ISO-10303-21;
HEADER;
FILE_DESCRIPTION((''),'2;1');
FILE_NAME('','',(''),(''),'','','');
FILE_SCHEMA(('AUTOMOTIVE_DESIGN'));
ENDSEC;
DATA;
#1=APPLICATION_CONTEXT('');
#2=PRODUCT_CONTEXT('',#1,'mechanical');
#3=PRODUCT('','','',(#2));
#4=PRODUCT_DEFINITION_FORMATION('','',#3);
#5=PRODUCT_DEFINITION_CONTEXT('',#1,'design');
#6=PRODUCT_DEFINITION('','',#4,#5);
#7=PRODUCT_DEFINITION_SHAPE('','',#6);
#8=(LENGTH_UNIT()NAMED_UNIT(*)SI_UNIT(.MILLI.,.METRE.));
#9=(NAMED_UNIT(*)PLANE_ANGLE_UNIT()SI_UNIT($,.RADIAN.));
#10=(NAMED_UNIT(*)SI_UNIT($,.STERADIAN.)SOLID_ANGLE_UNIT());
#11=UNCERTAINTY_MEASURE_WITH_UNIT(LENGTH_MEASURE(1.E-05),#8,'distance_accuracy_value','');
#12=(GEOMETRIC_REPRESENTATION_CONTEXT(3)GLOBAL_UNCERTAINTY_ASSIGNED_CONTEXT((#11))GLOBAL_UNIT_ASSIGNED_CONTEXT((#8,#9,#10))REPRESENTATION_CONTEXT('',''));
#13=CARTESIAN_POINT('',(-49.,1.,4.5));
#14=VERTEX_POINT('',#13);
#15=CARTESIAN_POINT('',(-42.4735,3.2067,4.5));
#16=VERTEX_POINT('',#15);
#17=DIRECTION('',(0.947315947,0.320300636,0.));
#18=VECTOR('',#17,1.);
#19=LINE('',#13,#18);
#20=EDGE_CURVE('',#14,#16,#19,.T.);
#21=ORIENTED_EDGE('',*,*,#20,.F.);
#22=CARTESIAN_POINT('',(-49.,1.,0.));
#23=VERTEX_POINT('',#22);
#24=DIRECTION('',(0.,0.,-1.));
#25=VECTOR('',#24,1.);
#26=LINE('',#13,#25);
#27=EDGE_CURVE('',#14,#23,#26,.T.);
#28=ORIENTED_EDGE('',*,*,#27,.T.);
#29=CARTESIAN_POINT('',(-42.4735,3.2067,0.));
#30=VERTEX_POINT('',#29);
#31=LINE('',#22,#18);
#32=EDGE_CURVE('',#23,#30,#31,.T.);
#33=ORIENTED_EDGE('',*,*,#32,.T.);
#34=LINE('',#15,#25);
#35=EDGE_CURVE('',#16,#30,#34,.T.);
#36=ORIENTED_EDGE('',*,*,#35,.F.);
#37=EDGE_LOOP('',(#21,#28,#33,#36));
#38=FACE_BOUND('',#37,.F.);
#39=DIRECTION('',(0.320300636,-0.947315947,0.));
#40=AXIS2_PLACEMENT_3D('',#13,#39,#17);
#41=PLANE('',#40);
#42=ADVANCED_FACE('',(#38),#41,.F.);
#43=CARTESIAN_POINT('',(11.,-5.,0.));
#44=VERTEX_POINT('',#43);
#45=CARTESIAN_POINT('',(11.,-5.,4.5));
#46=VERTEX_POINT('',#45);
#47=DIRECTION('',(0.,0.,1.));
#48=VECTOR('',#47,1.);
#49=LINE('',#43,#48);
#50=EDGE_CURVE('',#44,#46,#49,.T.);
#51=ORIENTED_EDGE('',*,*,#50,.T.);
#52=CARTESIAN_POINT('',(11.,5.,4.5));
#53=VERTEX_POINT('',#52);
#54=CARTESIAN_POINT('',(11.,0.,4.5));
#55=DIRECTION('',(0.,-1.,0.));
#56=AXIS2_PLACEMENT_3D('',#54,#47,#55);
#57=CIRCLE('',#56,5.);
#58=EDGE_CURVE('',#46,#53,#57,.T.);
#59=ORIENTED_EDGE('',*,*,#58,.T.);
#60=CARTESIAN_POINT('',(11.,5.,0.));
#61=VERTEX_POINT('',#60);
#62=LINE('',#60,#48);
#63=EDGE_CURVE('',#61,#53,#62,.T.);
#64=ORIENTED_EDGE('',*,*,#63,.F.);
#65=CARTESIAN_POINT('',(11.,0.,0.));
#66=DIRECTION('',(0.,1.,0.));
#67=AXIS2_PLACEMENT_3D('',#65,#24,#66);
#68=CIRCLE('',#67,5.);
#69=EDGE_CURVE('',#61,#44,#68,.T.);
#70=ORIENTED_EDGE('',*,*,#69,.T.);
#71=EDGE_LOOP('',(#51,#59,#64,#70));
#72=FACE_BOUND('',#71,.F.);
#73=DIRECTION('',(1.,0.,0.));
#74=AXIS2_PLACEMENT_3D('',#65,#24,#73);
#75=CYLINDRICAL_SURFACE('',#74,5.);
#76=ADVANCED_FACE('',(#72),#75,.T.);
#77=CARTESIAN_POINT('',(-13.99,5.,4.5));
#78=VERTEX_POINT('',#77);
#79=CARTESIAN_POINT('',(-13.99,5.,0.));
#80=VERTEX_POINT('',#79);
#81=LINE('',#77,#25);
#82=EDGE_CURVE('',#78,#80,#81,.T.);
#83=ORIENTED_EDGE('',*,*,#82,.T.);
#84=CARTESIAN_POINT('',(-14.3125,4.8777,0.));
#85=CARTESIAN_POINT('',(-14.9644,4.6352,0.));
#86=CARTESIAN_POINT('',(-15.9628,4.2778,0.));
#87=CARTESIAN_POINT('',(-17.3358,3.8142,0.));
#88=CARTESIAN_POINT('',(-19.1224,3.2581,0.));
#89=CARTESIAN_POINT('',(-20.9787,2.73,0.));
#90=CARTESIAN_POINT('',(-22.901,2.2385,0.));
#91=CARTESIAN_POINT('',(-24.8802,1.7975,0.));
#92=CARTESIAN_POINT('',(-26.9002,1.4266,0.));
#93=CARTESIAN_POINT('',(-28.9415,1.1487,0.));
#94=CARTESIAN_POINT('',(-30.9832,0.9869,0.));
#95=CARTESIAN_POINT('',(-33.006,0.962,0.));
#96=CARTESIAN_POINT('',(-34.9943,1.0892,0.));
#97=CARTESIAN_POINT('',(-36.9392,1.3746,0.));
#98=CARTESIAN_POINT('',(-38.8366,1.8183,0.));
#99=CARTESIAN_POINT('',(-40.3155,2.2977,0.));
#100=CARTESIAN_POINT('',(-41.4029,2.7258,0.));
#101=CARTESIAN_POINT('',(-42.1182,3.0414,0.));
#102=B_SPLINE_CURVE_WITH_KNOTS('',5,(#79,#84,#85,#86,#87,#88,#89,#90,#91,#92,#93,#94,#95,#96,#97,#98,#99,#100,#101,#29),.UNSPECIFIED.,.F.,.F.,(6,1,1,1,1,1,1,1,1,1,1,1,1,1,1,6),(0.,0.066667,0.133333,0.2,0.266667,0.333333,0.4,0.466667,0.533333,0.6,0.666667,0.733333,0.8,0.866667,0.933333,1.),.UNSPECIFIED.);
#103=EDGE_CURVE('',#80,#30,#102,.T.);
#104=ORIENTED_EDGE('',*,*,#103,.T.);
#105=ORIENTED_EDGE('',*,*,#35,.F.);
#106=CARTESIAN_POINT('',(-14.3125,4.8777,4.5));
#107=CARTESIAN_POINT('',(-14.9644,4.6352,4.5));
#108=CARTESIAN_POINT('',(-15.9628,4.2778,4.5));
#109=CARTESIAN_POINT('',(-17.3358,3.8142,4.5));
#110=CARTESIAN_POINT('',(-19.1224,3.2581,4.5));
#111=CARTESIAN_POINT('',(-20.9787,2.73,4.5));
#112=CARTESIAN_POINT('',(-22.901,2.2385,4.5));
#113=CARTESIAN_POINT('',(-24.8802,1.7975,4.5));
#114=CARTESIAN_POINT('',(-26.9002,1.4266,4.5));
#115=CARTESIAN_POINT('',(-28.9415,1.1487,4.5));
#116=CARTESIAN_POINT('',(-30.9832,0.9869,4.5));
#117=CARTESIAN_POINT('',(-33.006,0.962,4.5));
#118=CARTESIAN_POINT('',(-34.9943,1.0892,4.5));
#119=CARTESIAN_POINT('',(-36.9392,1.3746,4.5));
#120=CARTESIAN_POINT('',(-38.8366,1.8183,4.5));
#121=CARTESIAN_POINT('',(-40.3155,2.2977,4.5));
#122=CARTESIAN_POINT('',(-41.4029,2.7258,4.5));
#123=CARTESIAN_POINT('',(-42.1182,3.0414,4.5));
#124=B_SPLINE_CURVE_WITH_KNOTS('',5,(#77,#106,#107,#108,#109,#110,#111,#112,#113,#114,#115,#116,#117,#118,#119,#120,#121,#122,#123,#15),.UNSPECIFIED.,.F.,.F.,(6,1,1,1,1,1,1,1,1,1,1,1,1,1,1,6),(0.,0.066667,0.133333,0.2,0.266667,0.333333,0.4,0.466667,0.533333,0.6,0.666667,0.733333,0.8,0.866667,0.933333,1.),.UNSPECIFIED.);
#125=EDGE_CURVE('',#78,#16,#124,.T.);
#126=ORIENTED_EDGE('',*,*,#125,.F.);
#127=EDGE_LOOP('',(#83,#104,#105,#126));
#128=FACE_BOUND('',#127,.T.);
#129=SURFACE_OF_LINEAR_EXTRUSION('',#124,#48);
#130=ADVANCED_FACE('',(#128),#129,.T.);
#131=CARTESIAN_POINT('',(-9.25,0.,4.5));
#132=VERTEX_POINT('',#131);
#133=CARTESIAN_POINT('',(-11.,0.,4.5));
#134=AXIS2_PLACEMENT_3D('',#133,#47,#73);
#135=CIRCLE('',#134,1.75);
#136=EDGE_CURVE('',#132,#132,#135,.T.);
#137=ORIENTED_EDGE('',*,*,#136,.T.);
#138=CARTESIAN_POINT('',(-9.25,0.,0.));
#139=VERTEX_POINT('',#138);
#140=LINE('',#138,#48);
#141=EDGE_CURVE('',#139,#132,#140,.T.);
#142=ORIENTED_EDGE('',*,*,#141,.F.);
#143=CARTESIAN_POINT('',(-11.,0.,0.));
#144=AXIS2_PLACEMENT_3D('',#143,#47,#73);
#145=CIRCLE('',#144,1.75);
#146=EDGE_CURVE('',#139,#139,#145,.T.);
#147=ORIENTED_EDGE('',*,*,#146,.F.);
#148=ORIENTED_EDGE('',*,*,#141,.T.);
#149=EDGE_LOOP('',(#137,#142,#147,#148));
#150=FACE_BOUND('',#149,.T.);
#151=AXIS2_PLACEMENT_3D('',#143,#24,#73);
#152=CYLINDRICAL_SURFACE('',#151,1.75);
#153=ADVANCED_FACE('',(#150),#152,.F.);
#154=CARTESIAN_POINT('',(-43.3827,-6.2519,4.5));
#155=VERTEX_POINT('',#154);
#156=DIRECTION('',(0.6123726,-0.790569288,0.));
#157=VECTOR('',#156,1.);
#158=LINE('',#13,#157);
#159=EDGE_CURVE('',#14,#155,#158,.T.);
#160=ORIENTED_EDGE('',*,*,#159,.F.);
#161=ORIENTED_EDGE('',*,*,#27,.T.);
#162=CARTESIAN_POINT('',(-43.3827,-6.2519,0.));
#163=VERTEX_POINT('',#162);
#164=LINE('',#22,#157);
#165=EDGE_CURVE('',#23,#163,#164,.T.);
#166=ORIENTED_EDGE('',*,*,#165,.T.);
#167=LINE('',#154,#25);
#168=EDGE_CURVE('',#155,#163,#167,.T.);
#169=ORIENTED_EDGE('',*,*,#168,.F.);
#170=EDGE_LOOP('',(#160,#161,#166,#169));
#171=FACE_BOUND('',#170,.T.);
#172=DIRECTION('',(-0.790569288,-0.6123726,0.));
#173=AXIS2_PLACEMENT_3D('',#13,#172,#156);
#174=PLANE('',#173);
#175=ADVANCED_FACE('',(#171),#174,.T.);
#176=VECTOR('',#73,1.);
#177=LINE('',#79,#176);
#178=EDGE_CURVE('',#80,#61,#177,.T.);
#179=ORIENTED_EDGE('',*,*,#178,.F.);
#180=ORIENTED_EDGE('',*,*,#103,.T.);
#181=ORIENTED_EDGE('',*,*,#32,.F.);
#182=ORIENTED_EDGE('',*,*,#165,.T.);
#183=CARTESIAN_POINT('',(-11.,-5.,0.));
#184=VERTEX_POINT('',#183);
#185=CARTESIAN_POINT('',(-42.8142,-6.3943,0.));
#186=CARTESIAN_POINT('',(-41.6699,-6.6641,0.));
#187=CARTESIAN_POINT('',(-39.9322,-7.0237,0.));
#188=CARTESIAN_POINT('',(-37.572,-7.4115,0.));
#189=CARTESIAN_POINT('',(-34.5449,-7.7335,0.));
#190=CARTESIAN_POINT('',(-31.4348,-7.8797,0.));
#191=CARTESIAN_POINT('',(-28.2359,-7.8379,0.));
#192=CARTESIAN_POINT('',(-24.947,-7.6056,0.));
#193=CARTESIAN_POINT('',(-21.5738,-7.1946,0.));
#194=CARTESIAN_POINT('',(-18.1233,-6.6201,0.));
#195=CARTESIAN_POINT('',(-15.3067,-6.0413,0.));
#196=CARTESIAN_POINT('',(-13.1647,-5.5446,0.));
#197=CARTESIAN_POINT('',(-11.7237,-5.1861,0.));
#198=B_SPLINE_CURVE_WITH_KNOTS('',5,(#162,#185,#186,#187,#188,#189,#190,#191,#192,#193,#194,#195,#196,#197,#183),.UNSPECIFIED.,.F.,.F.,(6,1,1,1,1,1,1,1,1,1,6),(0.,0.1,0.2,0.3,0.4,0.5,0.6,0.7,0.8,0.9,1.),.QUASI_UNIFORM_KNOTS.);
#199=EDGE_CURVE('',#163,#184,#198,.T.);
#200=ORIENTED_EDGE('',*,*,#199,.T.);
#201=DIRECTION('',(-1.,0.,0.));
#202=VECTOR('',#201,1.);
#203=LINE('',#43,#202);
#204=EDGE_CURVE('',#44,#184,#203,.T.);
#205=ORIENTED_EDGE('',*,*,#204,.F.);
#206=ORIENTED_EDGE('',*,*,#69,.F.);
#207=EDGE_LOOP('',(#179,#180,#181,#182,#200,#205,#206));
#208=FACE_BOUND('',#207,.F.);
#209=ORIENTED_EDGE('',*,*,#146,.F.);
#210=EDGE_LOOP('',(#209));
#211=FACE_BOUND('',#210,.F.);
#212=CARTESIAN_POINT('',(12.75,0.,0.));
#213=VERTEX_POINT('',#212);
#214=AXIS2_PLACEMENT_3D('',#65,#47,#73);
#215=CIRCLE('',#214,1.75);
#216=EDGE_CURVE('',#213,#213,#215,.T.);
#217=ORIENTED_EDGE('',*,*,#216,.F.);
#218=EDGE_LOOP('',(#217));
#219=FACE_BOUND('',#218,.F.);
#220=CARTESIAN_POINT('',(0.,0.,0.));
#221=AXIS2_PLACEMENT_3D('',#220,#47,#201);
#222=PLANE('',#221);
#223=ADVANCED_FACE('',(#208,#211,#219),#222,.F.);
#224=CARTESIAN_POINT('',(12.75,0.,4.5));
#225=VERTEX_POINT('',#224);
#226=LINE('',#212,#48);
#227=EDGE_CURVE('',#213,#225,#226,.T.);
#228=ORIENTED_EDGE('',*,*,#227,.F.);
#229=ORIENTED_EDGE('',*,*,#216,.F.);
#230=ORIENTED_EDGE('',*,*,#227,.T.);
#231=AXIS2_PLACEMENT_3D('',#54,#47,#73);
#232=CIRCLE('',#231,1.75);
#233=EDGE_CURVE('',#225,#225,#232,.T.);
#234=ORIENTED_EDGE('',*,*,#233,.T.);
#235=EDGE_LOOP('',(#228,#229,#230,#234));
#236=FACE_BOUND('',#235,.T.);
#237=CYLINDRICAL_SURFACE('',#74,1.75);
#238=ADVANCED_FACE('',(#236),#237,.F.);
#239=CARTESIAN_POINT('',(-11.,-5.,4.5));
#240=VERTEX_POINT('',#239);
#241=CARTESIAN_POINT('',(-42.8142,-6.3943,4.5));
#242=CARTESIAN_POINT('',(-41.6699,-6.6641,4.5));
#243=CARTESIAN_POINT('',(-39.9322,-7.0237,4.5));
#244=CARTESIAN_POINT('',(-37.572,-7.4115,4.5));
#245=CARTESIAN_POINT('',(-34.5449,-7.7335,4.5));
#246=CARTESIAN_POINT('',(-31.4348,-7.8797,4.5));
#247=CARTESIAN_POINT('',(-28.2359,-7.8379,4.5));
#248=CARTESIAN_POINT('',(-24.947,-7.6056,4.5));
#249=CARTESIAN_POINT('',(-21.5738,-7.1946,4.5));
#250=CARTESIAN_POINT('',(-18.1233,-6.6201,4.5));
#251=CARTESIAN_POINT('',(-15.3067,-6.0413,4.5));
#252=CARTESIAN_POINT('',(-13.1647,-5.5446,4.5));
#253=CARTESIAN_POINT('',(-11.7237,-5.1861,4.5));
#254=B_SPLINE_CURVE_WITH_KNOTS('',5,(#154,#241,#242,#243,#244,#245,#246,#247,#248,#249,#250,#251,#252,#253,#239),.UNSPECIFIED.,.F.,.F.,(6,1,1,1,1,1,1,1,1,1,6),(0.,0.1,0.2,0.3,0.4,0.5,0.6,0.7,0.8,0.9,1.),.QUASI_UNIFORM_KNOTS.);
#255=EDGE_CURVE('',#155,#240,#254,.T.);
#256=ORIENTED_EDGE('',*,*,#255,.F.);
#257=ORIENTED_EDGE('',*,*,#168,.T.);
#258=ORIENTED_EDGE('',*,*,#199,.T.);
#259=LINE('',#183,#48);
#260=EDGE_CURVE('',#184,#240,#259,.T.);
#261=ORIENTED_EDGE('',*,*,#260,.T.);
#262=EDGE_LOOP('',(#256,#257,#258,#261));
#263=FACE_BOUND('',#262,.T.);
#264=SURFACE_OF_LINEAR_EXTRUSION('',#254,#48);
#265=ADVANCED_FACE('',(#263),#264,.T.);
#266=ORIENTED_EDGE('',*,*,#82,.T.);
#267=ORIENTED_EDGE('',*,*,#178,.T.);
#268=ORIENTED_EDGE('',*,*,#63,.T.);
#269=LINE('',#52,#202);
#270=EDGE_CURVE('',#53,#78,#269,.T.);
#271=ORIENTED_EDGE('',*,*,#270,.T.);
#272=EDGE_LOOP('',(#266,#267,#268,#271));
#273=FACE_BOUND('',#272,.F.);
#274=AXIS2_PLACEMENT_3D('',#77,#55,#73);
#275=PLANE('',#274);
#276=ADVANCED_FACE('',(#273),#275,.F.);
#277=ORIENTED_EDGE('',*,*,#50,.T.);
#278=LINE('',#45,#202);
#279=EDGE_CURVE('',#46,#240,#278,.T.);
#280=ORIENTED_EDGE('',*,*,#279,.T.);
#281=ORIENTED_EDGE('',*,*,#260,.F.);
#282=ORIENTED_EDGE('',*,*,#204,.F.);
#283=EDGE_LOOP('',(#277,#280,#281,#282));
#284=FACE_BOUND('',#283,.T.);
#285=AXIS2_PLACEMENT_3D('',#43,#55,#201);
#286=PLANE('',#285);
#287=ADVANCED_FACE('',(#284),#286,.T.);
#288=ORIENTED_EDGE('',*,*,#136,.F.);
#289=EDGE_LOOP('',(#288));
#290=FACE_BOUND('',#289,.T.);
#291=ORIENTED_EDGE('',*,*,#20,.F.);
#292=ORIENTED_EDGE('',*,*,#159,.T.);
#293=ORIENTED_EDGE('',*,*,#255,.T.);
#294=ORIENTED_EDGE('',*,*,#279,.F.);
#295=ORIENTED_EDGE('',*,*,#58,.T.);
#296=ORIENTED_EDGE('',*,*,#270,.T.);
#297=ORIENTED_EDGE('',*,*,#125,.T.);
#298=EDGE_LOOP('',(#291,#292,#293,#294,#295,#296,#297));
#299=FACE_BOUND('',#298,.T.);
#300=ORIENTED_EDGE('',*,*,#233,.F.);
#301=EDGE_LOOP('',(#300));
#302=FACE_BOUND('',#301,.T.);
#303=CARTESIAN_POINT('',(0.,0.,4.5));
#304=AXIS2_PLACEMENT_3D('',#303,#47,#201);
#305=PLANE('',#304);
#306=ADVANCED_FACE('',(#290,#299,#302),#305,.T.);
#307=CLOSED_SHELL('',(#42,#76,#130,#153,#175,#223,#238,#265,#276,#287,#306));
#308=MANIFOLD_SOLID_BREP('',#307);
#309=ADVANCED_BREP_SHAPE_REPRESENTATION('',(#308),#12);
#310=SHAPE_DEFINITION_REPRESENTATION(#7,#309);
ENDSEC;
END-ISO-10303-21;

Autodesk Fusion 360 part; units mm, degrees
sketch "Sketch1" plane through (0, 0, 0) normal (0, 0, 1) x (1, 0, 0)
  line L0 (-11, 0) -> (11, 0) construction
  circle A0 centre (-11, 0) radius 1.75
  circle A1 centre (-11, 0) radius 5
  circle A2 centre (11, 0) radius 1.75
  circle A3 centre (11, 0) radius 5
  line L1 (-11, 5) -> (11, 5)
  line L2 (11, -5) -> (-11, -5)
  dimension "d1" = 22
  dimension "d2" = 3.5
  dimension "d3" = 10
  dimension "d4" = 3.5
  dimension "d5" = 10
extrude "Extrude1" add sketch "Sketch1" along normal blind 4.5
sketch "Sketch2" plane through (0, 0, 4.5) normal (0, 0, 1) x (-1, 0, 0)
  circle A0 centre (-11, 0) radius 1.75
  circle A1 centre (11, 0) radius 1.75
  arc A2 (11, -5) -> (11, 5) centre (11, 0) ccw
  line L0 (11, 5) -> (-11, 5)
  arc A3 (-11, 5) -> (-11, -5) centre (-11, 0) ccw
  line L1 (-11, -5) -> (11, -5)
  line L2 (11, 0) -> (11, -5) construction
  line L3 (0, 0) -> (0, 5) construction
  line L4 (11, 0) -> (11, 5) construction
  line L5 (0, 5) -> (11, 5)
  line L6 (13.99, -5) -> (11, -5)
  line L7 (13.99, -5) -> (11, -5)
  line L8 (13.99, -5) -> (11, -5)
  line L9 (0, 4.95) -> (0, 5.05)
  spline S0 degree 5 poles (43.3827, 6.2519) (42.8142, 6.3943) (41.6699, 6.6641) (39.9322, 7.0237) (37.572, 7.4115) (34.5449, 7.7335) (31.4348, 7.8797) (28.2359, 7.8379) (24.947, 7.6056) (21.5738, 7.1946) (18.1233, 6.6201) (15.3067, 6.0413) (13.1647, 5.5446) (11.7237, 5.1861) (11, 5) knots 0 0 0 0 0 0 0.1 0.2 0.3 0.4 0.5 0.6 0.7 0.8 0.9 1 1 1 1 1 1
  line L10 (49, -1) -> (43.3827, 6.2519)
  circle A4 centre (11, 0) radius 5
  line L11 (49, -1) -> (42.4735, -3.2067)
  spline S1 degree 5 poles (13.99, -5) (14.3125, -4.8777) (14.9644, -4.6352) (15.9628, -4.2778) (17.3358, -3.8142) (19.1224, -3.2581) (20.9787, -2.73) (22.901, -2.2385) (24.8802, -1.7975) (26.9002, -1.4266) (28.9415, -1.1487) (30.9832, -0.9869) (33.006, -0.962) (34.9943, -1.0892) (36.9392, -1.3746) (38.8366, -1.8183) (40.3155, -2.2977) (41.4029, -2.7258) (42.1182, -3.0414) (42.4735, -3.2067) knots 0 0 0 0 0 0 0.066667 0.133333 0.2 0.266667 0.333333 0.4 0.466667 0.533333 0.6 0.666667 0.733333 0.8 0.866667 0.933333 1 1 1 1 1 1
  point P0 (0, 5)
  point P1 (0, 5)
  point P2 (29.1574, 7.8223)
  point P3 (22.5528, -2.3387)
  point P4 (33, -1)
  dimension "d18" = 2.99
  dimension "d27" = 2.99
  dimension "d28" = 2.99
extrude "Extrude3" add sketch "Sketch2" against normal up to surface (4.5 mm away) contours A2 L6 L7 L8 S0 L10 A4 L11 S1
extrude "Extrude2" [suppressed]
